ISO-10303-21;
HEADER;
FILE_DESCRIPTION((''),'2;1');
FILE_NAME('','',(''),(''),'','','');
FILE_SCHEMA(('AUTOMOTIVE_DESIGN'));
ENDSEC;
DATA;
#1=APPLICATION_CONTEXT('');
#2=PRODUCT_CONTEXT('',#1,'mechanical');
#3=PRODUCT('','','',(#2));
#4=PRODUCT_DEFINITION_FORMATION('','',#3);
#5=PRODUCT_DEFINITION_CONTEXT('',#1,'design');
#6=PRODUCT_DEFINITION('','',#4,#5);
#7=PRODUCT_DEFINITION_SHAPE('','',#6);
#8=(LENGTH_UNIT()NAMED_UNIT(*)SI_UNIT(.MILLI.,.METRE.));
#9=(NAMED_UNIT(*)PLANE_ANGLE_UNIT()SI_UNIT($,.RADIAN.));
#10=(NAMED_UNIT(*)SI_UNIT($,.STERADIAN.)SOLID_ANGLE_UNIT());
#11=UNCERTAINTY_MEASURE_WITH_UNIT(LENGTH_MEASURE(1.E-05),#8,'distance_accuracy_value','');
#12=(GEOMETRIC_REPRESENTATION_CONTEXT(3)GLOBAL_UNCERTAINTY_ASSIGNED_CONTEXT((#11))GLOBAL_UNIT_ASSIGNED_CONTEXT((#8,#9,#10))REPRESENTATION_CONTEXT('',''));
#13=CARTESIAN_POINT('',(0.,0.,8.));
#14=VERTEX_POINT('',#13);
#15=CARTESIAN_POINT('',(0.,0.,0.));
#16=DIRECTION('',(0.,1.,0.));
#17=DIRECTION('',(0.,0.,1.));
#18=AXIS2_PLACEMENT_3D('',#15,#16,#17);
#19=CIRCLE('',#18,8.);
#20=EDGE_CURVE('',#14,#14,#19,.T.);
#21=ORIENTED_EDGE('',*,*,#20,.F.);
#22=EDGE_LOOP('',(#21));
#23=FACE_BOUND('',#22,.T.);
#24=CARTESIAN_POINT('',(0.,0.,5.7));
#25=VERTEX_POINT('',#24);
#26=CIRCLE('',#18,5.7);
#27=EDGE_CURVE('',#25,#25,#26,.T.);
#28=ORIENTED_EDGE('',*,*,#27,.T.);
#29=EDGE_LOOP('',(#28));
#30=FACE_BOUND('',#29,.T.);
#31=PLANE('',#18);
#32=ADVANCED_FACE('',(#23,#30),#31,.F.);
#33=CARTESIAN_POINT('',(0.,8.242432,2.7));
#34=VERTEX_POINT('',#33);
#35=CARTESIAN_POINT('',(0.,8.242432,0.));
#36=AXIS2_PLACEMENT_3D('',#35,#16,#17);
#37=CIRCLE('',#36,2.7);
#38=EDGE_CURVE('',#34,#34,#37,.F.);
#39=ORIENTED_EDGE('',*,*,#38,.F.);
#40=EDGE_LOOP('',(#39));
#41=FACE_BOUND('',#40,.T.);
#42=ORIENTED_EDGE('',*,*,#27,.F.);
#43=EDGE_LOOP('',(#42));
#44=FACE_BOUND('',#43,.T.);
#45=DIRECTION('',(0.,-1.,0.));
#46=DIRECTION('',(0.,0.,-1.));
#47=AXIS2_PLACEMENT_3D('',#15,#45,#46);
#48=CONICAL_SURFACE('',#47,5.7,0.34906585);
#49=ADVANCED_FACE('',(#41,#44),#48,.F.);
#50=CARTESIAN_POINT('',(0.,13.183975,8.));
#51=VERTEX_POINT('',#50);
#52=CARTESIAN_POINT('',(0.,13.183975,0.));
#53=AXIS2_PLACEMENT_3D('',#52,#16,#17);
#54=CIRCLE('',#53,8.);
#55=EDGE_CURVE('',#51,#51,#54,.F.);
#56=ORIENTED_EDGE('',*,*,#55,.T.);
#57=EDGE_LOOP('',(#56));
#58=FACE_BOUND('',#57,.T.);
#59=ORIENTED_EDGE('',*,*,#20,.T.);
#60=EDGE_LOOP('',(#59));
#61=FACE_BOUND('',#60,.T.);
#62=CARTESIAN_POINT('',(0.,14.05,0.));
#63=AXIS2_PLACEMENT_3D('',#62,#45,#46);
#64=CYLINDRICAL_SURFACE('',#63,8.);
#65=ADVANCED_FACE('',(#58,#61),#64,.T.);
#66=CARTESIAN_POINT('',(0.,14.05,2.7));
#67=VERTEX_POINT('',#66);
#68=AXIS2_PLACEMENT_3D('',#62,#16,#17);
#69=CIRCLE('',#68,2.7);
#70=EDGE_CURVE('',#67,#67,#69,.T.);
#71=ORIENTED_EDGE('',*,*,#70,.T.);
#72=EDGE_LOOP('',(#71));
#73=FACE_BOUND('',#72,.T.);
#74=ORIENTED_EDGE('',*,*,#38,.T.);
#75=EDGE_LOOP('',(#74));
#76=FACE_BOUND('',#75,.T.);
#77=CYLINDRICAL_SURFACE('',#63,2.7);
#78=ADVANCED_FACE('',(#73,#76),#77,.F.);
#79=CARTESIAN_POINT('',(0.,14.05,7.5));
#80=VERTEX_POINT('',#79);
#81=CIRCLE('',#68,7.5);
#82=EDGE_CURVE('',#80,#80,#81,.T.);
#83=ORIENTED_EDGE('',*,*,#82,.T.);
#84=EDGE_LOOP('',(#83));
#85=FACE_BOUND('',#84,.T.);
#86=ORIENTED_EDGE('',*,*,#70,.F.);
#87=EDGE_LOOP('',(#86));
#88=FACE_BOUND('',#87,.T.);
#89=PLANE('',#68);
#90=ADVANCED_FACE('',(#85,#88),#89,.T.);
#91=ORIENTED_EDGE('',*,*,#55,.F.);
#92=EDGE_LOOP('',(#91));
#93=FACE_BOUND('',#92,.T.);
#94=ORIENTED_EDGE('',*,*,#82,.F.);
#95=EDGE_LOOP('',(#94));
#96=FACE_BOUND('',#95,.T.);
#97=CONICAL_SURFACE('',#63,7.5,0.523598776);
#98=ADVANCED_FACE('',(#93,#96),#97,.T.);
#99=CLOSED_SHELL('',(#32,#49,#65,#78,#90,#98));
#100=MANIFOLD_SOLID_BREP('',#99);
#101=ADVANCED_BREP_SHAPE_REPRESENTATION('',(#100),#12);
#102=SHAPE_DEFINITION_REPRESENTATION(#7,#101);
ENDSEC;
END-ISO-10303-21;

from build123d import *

# Parameters (mm, degrees)
SKETCH1_R           = 8
SKETCH1_R_2         = 2.7
BOSS_EXTRUDE1_DEPTH = 14.05
CHAMFER1_SIZE       = 3
CHAMFER1_SIZE2      = 8.242432258
CHAMFER2_SIZE       = 0.5
CHAMFER2_SIZE2      = 0.866025404


with BuildPart() as part:
    # Sketch1 → Boss-Extrude1 (new body)
    with BuildSketch(Plane(origin=(0, 0, 0), x_dir=(1, 0, 0), z_dir=(0, 1, 0))):
        with Locations(Location((0, 0, 0), (0, 0, 270))):
            Circle(SKETCH1_R)
        with Locations(Location((0, 0, 0), (0, 0, 270))):
            Circle(SKETCH1_R_2, mode=Mode.SUBTRACT)
    extrude(amount=BOSS_EXTRUDE1_DEPTH)

    # Chamfer1
    chamfer1_edges = [part.edges().sort_by_distance(p)[0] for p in [
        (0, 0, -2.7),
    ]]
    chamfer1_side = [part.faces().sort_by_distance(p)[0] for p in [
        (0, 0, -7.77372583),
    ]]
    chamfer(chamfer1_edges, length=CHAMFER1_SIZE, length2=CHAMFER1_SIZE2, reference=chamfer1_side[0])

    # Chamfer2
    chamfer2_edges = [part.edges().sort_by_distance(p)[0] for p in [
        (0, 14.05, -8),
    ]]
    chamfer2_side = [part.faces().sort_by_distance(p)[0] for p in [
        (0, 14.05, -7.77372583),
    ]]
    chamfer(chamfer2_edges, length=CHAMFER2_SIZE, length2=CHAMFER2_SIZE2, reference=chamfer2_side[0])


solid = part.part
